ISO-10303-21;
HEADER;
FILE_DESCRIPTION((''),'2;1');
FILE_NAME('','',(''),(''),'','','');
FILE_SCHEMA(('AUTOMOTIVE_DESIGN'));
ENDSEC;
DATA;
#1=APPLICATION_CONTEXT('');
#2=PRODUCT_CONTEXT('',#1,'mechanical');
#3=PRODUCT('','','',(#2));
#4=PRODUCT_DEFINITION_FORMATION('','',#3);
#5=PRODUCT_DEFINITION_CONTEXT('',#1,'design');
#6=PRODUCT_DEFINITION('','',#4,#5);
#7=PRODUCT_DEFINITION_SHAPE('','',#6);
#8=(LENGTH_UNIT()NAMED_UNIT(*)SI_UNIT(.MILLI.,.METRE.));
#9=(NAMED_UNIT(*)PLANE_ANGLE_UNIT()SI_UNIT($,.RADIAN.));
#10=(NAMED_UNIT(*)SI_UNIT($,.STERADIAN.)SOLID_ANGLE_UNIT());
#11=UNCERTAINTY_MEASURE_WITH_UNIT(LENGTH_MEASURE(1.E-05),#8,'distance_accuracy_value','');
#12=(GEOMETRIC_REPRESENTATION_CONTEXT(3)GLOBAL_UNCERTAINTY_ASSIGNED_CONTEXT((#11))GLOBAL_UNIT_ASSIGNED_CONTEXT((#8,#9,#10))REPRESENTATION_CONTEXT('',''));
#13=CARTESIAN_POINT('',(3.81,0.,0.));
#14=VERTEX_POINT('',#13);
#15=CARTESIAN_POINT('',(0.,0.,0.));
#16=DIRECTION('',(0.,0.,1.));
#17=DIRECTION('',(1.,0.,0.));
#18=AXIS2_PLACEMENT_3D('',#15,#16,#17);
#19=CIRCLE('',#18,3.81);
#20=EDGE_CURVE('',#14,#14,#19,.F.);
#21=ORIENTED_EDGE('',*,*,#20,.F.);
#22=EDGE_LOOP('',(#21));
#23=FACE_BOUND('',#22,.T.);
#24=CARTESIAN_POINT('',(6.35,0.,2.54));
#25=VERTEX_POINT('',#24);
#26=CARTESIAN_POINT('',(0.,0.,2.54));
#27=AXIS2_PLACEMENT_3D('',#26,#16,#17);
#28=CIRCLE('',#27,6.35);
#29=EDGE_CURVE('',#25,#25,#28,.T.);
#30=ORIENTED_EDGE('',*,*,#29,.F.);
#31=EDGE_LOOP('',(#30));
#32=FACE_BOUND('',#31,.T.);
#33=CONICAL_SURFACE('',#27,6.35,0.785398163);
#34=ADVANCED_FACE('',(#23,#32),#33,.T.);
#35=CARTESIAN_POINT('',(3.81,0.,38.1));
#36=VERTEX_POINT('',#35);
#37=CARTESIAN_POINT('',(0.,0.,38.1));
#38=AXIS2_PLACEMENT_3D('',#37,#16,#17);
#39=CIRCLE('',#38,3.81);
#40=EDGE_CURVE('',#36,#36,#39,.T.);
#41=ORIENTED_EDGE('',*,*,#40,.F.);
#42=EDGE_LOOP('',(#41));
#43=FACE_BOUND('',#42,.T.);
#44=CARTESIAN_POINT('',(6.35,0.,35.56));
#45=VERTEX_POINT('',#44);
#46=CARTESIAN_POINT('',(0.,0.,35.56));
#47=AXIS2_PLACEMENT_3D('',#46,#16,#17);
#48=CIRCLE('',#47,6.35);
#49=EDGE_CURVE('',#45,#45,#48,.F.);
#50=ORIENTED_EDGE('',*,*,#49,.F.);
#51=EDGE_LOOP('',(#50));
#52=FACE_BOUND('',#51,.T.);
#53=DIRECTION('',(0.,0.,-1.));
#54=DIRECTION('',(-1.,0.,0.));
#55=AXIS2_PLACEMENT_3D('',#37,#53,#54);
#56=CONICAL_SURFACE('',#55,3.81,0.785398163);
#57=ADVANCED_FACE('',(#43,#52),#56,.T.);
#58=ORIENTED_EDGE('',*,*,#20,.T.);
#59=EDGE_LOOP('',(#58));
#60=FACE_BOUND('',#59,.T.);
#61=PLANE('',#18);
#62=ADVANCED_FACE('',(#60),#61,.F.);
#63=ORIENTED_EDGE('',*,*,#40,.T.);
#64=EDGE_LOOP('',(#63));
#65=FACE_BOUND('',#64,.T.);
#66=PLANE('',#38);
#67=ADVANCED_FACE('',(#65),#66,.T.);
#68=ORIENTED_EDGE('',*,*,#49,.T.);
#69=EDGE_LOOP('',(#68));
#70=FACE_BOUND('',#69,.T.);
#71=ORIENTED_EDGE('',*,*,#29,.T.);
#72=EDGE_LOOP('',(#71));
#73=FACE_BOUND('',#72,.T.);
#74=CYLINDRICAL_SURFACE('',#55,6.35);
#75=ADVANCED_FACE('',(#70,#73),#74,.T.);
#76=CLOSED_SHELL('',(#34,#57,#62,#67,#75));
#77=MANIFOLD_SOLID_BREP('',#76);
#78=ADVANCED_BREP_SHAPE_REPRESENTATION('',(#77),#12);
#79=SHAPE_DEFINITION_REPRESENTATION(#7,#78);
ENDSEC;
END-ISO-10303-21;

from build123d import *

# Parameters (mm, degrees)
SKETCH1_R           = 6.35
BOSS_EXTRUDE1_DEPTH = 38.1
CHAMFER1_SIZE       = 2.54
CHAMFER2_SIZE       = 2.54


with BuildPart() as part:
    # Sketch1 → Boss-Extrude1 (new body)
    with BuildSketch(Plane.XY):
        Circle(SKETCH1_R)
    extrude(amount=BOSS_EXTRUDE1_DEPTH)

    # Chamfer1
    chamfer1_edges = [part.edges().sort_by_distance(p)[0] for p in [
        (-6.35, 0, 38.1),
    ]]
    chamfer(chamfer1_edges, length=CHAMFER1_SIZE)

    # Chamfer2
    chamfer2_edges = [part.edges().sort_by_distance(p)[0] for p in [
        (-6.35, 0, 0),
    ]]
    chamfer(chamfer2_edges, length=CHAMFER2_SIZE)


solid = part.part
